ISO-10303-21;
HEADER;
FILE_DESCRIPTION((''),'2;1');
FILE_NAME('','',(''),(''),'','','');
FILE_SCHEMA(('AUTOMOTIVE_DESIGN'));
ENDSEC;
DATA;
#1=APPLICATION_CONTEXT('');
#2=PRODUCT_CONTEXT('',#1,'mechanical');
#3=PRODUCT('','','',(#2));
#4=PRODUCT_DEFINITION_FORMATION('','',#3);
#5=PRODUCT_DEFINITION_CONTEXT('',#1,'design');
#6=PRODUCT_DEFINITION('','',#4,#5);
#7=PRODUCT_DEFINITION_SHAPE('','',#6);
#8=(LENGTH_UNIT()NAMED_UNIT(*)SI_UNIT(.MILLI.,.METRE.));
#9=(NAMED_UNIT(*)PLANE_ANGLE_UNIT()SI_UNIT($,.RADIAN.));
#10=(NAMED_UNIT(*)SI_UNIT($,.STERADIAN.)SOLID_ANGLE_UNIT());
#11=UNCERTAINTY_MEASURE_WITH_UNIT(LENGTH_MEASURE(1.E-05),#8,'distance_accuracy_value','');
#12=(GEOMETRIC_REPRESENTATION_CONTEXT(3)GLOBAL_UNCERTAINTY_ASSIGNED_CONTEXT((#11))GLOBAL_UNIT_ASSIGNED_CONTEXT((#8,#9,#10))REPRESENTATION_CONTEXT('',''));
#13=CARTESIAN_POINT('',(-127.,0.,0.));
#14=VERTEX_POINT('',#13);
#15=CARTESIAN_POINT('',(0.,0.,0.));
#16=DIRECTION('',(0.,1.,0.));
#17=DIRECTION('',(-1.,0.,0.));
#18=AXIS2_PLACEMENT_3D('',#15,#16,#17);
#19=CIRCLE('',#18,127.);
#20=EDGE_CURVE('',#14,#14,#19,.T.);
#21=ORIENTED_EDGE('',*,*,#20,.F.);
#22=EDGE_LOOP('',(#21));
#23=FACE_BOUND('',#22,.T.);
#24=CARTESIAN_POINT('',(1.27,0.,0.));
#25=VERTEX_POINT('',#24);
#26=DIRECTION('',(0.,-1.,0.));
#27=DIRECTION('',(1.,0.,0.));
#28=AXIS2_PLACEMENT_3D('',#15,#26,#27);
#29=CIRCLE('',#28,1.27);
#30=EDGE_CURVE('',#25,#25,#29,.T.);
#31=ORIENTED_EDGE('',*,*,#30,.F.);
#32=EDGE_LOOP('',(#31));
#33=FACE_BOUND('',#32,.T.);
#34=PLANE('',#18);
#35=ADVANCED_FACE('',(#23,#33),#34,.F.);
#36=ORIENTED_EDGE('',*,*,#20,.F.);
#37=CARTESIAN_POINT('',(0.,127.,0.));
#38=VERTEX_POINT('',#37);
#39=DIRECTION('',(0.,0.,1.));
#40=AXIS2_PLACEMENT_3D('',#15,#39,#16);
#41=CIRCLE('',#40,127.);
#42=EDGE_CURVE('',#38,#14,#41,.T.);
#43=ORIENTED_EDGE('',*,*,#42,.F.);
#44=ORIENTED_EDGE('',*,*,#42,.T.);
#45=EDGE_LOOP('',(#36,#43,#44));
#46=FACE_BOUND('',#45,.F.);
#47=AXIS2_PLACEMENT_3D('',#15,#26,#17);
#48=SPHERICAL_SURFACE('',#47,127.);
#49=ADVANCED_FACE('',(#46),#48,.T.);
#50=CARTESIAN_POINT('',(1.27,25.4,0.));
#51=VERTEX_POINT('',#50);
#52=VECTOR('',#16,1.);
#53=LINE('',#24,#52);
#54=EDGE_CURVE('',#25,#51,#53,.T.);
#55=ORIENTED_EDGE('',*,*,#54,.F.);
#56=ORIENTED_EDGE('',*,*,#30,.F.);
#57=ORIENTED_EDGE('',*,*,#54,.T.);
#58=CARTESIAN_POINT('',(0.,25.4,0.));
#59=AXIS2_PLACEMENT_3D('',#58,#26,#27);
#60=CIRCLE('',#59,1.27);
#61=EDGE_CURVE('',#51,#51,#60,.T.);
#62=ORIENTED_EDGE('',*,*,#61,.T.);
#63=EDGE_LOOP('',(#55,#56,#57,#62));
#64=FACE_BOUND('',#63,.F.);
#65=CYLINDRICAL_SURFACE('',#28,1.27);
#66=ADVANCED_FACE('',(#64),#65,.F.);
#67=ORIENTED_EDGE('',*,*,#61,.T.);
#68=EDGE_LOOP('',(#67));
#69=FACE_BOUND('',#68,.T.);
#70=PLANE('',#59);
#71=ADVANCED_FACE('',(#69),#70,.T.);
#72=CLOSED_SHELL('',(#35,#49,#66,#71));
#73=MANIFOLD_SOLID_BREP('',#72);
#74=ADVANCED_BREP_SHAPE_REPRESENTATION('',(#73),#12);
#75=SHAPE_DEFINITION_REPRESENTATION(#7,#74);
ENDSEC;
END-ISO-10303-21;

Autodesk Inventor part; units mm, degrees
ref_plane "YZ Plane" through (0, 0, 0) normal (1, 0, 0) x (0, 1, 0)
ref_plane "XZ Plane" through (0, 0, 0) normal (0, 1, 0) x (-1, 0, 0)
ref_plane "XY Plane" through (0, 0, 0) normal (0, 0, 1) x (1, 0, 0)
sketch "Sketch1" plane through (0, 0, 0) normal (0, 0, 1) x (1, 0, 0)
  line L0 (0, 0) -> (-127, 0)
  line L1 (0, 0) -> (0, 127)
  arc A0 (0, 127) -> (-127, 0) centre (0, 0) ccw
  dimension "d0" = 127
  dimension "d1" = 127
  dimension "d2" = 90
  dimension "d3" = 127
revolve "Revolution1" add sketch "Sketch1" angle 360 about axis through (0, 0, 0) along (0, 1, 0)
sketch "Sketch2" plane through (0, 0, 0) normal (0, -1, 0) x (1, 0, 0)
  circle A0 centre (0, 0) radius 1.27
  dimension "d5" = 2.54
extrude "Extrusion1" cut sketch "Sketch2" against normal blind 25.4
properties part number "Umbrella"
